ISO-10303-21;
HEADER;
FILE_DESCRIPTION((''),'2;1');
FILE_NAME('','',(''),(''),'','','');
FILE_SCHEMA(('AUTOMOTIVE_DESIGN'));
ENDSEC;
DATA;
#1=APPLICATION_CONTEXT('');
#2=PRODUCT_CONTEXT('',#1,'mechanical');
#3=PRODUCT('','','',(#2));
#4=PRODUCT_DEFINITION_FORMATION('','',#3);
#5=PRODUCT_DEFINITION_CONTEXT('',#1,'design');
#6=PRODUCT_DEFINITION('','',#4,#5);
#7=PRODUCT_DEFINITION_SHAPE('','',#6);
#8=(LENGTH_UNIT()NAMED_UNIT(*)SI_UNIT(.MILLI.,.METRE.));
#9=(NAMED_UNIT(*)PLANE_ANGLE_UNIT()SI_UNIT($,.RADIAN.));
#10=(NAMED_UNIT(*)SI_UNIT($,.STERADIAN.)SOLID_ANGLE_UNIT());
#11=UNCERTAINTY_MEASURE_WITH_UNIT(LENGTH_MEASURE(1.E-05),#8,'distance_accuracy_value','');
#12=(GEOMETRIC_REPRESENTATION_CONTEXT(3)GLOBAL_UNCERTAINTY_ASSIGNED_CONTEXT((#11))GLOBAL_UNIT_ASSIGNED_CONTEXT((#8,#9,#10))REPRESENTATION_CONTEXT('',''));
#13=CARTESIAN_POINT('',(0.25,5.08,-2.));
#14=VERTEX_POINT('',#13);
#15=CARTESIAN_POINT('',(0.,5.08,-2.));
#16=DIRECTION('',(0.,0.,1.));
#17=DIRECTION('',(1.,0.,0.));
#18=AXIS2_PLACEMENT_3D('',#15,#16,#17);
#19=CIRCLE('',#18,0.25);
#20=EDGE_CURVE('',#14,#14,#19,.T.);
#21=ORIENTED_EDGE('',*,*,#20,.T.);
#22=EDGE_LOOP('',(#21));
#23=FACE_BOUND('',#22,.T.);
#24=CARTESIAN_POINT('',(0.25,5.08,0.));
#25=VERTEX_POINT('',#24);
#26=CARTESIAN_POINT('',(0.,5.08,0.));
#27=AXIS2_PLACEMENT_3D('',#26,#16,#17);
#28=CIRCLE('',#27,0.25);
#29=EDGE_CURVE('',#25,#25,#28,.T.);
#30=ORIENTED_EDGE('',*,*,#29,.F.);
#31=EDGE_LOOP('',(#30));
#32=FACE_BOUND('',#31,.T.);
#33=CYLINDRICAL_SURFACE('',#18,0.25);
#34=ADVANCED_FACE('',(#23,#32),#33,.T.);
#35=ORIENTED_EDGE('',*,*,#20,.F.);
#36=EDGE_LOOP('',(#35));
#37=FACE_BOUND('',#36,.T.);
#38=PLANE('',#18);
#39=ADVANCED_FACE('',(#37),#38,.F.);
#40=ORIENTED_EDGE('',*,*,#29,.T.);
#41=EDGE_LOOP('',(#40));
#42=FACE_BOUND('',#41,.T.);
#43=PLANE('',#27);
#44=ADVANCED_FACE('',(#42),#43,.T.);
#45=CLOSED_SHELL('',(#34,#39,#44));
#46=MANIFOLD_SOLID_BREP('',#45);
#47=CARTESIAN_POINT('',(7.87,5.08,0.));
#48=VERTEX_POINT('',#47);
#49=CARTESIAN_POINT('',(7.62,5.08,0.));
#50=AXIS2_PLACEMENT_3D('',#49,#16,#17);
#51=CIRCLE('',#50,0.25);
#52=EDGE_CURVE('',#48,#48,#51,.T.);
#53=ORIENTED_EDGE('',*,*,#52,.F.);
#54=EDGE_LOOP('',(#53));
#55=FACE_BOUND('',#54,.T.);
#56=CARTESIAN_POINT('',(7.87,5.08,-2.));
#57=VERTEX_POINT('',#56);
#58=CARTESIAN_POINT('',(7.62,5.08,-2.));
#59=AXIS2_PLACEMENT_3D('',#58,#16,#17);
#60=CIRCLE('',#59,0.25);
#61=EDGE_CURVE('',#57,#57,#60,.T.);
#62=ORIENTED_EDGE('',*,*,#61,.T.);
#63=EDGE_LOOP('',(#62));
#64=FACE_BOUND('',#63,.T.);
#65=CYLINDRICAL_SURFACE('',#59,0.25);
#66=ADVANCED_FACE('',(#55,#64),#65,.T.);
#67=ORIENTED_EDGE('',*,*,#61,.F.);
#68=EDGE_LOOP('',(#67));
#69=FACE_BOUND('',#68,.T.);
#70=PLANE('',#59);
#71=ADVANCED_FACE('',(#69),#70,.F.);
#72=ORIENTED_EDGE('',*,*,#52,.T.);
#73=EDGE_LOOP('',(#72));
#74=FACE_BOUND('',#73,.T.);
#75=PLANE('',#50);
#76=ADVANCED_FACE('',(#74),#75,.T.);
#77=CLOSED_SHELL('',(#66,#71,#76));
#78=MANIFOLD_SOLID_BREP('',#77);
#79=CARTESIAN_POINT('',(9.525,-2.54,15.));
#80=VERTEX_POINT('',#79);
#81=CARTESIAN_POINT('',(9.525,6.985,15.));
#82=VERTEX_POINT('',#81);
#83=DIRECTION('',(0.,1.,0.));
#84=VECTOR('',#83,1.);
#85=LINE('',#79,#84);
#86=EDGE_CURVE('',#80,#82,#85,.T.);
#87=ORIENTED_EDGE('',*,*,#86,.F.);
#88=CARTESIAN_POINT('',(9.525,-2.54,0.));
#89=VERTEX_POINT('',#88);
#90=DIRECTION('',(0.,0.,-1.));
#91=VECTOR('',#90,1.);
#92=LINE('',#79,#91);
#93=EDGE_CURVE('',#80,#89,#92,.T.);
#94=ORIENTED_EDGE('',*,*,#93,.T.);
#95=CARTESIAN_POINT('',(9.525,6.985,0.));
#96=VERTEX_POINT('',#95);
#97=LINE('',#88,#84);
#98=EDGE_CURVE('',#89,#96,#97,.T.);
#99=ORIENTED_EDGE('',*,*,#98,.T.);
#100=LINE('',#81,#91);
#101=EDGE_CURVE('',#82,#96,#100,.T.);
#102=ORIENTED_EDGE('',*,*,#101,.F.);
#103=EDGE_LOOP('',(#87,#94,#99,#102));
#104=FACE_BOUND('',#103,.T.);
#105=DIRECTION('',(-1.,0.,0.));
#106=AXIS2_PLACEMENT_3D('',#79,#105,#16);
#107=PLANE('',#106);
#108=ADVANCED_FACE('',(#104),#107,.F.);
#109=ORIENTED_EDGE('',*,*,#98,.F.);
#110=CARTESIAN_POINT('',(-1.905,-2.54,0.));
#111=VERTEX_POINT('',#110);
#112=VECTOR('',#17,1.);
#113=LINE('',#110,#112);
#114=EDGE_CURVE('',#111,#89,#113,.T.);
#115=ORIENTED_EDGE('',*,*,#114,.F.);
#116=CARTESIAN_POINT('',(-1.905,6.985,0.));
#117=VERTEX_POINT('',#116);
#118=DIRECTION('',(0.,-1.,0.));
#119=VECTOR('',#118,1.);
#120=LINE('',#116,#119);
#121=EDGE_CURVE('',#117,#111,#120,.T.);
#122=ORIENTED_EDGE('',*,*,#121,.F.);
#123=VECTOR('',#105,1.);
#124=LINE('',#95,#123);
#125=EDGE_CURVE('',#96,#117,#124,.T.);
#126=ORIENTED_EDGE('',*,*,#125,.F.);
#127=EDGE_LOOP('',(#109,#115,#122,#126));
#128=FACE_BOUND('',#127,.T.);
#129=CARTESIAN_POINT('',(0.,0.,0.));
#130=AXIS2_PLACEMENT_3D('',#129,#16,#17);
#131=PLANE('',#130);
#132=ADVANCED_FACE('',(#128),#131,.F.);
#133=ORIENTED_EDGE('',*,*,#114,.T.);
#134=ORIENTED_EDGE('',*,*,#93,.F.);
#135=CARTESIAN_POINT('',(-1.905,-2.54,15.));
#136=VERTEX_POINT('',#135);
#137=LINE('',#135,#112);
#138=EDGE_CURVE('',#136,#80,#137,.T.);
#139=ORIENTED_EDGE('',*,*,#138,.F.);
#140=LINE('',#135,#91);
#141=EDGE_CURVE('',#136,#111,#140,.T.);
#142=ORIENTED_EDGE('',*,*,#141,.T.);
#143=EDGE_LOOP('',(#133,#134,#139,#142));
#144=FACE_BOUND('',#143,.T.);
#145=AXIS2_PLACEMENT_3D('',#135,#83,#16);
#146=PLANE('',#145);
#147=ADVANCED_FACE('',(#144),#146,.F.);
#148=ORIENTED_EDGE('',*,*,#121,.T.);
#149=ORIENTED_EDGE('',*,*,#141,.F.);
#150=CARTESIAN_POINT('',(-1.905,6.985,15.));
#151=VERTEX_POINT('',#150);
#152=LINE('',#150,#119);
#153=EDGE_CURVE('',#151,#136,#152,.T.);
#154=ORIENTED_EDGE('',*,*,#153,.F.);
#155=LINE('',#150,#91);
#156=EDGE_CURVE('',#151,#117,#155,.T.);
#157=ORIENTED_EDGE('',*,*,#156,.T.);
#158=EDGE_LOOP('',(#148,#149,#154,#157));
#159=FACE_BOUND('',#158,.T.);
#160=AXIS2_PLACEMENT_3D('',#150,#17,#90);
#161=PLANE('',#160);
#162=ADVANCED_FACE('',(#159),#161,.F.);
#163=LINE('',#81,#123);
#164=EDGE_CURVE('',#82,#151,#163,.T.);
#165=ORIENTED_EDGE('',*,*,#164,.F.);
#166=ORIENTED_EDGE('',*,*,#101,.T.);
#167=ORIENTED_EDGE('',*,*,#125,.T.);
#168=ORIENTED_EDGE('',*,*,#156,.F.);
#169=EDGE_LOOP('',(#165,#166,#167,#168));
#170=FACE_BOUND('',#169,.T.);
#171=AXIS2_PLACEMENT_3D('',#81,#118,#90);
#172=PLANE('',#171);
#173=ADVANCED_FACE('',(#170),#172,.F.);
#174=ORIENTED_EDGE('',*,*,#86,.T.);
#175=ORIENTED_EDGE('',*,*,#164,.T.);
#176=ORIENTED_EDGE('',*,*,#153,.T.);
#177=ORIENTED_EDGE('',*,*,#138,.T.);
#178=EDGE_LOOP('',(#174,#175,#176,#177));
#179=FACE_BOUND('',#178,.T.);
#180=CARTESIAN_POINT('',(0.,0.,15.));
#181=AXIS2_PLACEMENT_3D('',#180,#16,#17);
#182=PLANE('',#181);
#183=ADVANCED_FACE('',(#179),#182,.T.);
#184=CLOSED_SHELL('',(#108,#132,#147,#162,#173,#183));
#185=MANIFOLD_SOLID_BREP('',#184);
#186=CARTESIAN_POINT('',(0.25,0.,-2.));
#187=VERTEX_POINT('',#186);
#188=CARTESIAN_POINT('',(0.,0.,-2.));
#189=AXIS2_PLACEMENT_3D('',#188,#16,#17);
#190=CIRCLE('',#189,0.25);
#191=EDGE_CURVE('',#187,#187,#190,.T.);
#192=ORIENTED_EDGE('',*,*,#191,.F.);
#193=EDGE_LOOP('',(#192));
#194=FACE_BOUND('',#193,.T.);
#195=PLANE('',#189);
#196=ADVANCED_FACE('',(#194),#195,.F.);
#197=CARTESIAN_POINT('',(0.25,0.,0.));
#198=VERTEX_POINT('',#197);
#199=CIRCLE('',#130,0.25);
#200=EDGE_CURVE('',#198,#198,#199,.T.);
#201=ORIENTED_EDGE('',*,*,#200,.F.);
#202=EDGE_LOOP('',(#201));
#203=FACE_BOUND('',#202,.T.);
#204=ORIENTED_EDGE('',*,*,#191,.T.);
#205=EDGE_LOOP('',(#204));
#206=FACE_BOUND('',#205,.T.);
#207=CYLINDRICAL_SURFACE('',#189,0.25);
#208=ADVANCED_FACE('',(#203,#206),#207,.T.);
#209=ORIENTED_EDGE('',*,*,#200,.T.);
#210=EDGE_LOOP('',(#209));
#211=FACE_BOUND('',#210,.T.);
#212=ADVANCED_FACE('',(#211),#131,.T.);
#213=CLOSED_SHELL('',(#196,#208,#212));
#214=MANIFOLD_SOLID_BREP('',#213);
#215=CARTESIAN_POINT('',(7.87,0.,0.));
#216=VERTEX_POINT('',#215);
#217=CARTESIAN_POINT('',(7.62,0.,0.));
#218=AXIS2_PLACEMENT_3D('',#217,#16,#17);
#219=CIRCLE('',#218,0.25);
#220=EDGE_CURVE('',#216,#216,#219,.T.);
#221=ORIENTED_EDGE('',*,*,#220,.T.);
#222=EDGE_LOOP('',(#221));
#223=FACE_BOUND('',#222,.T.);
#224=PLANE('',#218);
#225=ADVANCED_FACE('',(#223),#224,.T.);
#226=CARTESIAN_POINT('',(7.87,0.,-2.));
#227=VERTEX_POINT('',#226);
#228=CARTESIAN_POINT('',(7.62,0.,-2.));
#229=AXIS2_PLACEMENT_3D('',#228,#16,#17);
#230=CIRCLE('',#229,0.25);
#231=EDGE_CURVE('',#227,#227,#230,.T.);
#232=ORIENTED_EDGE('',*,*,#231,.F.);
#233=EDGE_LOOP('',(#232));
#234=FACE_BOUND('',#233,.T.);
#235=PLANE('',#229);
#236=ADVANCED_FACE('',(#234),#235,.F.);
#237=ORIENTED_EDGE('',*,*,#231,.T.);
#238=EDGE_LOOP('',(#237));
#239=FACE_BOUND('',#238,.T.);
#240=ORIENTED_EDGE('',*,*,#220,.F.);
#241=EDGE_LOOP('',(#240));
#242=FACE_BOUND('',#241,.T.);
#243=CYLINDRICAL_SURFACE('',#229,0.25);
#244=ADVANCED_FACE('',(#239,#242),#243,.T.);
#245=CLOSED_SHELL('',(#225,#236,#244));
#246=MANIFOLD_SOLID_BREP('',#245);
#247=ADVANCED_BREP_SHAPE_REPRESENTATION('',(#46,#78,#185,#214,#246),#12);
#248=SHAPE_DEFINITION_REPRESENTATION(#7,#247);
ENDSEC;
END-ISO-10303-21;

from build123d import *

# Parameters (mm, degrees)
SKETCH1_W               = 11.43
SKETCH1_H               = 9.525
COMPONENT_OUTLINE_DEPTH = 15
SKETCH2_R               = 0.25
EXTRUDE_1_DEPTH         = 2
SKETCH3_R               = 0.25
EXTRUDE_2_DEPTH         = 2
SKETCH4_R               = 0.25
EXTRUDE_3_DEPTH         = 2
SKETCH5_R               = 0.25
EXTRUDE_4_DEPTH         = 2


with BuildPart() as part:
    # Sketch1 → Component_Outline (new body)
    with BuildSketch(Plane.XY):
        with Locations((3.81, 2.2225)):
            Rectangle(SKETCH1_W, SKETCH1_H)
    extrude(amount=COMPONENT_OUTLINE_DEPTH)


with BuildPart() as body_2:
    # Sketch2 → Extrude 1 (new body)
    with BuildSketch(Plane.XY):
        Circle(SKETCH2_R)
    extrude(amount=-EXTRUDE_1_DEPTH)


with BuildPart() as body_3:
    # Sketch3 → Extrude 2 (new body)
    with BuildSketch(Plane.XY):
        with Locations((0, 5.08)):
            Circle(SKETCH3_R)
    extrude(amount=-EXTRUDE_2_DEPTH)


with BuildPart() as body_4:
    # Sketch4 → Extrude 3 (new body)
    with BuildSketch(Plane.XY):
        with Locations((7.62, 5.08)):
            Circle(SKETCH4_R)
    extrude(amount=-EXTRUDE_3_DEPTH)


with BuildPart() as body_5:
    # Sketch5 → Extrude 4 (new body)
    with BuildSketch(Plane.XY):
        with Locations((7.62, 0)):
            Circle(SKETCH5_R)
    extrude(amount=-EXTRUDE_4_DEPTH)


solid = Compound([part.part, body_2.part, body_3.part, body_4.part, body_5.part])
